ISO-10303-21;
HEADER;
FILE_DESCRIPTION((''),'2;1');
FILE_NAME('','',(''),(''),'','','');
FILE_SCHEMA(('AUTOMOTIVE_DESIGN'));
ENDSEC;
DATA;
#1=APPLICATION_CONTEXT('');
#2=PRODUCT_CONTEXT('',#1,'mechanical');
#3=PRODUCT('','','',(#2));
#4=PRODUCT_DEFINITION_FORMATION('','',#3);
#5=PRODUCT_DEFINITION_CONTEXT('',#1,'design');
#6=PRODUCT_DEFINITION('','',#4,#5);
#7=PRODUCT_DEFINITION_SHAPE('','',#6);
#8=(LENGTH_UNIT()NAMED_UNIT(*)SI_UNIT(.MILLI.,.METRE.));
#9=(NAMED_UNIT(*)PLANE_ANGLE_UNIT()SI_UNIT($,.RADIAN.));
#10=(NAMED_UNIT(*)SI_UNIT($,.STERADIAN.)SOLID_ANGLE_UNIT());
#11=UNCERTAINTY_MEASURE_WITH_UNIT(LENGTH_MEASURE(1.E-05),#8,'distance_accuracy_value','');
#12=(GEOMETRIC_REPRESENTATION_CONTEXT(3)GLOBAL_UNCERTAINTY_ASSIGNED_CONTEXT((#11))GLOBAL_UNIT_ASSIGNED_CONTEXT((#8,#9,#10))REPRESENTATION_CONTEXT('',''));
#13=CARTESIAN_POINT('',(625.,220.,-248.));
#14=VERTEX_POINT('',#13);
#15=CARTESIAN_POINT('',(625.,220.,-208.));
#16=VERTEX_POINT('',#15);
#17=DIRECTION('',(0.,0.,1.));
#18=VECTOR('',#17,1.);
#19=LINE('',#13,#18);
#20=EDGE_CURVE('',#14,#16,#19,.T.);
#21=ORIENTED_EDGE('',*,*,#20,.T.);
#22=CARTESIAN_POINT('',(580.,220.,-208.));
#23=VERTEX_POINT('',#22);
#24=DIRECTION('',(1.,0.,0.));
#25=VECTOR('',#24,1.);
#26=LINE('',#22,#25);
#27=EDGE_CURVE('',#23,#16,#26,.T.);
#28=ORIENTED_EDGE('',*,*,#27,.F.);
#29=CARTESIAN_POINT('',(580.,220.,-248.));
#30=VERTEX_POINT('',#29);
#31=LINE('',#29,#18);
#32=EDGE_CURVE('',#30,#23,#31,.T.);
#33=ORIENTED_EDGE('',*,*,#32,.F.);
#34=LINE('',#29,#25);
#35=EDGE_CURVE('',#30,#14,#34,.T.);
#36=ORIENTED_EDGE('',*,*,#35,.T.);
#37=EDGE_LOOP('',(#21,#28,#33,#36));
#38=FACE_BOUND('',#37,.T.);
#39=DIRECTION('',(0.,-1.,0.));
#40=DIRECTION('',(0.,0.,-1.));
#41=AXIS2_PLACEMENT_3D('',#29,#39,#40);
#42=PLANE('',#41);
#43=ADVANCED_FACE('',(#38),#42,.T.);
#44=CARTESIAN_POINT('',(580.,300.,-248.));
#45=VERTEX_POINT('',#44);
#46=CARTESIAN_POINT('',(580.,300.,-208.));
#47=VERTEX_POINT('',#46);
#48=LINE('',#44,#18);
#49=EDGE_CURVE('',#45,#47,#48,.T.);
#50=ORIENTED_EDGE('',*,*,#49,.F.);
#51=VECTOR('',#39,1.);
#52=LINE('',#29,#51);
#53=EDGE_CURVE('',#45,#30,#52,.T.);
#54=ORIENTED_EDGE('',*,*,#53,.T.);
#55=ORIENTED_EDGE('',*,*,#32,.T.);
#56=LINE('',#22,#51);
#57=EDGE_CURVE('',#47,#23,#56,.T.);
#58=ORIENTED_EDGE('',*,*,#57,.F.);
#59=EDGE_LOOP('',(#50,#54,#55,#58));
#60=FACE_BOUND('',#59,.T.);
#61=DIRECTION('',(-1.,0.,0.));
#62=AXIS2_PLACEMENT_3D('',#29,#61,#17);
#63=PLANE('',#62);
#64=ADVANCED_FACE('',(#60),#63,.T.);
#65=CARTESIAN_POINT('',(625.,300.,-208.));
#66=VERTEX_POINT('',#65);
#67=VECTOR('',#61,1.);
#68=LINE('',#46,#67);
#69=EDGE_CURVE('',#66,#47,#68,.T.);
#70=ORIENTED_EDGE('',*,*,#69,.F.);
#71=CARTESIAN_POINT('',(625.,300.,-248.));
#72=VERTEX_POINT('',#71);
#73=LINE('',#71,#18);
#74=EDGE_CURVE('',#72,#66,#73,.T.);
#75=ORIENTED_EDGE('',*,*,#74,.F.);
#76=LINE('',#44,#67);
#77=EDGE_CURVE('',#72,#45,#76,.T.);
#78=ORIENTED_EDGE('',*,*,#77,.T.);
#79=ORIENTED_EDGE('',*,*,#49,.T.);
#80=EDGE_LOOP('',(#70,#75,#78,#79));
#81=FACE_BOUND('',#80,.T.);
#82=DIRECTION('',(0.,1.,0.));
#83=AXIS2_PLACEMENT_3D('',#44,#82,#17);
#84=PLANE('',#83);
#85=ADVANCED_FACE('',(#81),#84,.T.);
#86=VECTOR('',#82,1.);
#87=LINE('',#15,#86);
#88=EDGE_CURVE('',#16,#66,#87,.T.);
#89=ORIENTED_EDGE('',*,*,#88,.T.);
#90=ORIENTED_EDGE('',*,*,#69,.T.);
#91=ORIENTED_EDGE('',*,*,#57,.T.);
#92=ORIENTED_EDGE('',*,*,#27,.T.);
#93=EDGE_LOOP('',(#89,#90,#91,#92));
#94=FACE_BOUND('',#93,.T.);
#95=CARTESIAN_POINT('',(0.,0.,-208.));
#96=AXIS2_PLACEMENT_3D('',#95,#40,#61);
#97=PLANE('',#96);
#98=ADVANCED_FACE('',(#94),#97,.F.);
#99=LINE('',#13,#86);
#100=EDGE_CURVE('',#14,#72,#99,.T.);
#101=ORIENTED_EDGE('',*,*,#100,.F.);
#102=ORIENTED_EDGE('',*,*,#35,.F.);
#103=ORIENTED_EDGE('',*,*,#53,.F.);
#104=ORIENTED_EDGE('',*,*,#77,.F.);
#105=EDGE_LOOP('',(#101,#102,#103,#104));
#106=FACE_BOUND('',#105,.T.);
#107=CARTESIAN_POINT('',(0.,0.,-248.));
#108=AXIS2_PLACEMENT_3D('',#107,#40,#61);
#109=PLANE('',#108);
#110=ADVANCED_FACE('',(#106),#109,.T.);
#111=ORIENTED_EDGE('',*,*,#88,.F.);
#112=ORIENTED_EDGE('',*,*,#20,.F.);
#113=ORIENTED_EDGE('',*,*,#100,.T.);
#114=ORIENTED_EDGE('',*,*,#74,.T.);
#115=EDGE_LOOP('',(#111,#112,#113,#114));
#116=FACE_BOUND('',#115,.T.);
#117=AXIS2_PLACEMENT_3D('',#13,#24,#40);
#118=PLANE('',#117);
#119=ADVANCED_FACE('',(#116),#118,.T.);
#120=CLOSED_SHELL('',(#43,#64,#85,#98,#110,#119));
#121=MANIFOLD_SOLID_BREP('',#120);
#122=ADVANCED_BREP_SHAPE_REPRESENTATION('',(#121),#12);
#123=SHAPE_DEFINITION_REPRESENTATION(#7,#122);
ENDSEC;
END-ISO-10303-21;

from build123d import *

# Parameters (mm, degrees)
OVEN_PANO_SSR_2_1_START = -208
SKETCH1_W               = 45
SKETCH1_H               = 80
OVEN_PANO_SSR_2_1_DEPTH = 40


with BuildPart() as part:
    # Sketch1 → OVEN_pano_SSR_2_1 (new body)
    with BuildSketch(Plane.XY.offset(OVEN_PANO_SSR_2_1_START)):
        with Locations((602.5, 260)):
            Rectangle(SKETCH1_W, SKETCH1_H)
    extrude(amount=-OVEN_PANO_SSR_2_1_DEPTH)


solid = part.part
